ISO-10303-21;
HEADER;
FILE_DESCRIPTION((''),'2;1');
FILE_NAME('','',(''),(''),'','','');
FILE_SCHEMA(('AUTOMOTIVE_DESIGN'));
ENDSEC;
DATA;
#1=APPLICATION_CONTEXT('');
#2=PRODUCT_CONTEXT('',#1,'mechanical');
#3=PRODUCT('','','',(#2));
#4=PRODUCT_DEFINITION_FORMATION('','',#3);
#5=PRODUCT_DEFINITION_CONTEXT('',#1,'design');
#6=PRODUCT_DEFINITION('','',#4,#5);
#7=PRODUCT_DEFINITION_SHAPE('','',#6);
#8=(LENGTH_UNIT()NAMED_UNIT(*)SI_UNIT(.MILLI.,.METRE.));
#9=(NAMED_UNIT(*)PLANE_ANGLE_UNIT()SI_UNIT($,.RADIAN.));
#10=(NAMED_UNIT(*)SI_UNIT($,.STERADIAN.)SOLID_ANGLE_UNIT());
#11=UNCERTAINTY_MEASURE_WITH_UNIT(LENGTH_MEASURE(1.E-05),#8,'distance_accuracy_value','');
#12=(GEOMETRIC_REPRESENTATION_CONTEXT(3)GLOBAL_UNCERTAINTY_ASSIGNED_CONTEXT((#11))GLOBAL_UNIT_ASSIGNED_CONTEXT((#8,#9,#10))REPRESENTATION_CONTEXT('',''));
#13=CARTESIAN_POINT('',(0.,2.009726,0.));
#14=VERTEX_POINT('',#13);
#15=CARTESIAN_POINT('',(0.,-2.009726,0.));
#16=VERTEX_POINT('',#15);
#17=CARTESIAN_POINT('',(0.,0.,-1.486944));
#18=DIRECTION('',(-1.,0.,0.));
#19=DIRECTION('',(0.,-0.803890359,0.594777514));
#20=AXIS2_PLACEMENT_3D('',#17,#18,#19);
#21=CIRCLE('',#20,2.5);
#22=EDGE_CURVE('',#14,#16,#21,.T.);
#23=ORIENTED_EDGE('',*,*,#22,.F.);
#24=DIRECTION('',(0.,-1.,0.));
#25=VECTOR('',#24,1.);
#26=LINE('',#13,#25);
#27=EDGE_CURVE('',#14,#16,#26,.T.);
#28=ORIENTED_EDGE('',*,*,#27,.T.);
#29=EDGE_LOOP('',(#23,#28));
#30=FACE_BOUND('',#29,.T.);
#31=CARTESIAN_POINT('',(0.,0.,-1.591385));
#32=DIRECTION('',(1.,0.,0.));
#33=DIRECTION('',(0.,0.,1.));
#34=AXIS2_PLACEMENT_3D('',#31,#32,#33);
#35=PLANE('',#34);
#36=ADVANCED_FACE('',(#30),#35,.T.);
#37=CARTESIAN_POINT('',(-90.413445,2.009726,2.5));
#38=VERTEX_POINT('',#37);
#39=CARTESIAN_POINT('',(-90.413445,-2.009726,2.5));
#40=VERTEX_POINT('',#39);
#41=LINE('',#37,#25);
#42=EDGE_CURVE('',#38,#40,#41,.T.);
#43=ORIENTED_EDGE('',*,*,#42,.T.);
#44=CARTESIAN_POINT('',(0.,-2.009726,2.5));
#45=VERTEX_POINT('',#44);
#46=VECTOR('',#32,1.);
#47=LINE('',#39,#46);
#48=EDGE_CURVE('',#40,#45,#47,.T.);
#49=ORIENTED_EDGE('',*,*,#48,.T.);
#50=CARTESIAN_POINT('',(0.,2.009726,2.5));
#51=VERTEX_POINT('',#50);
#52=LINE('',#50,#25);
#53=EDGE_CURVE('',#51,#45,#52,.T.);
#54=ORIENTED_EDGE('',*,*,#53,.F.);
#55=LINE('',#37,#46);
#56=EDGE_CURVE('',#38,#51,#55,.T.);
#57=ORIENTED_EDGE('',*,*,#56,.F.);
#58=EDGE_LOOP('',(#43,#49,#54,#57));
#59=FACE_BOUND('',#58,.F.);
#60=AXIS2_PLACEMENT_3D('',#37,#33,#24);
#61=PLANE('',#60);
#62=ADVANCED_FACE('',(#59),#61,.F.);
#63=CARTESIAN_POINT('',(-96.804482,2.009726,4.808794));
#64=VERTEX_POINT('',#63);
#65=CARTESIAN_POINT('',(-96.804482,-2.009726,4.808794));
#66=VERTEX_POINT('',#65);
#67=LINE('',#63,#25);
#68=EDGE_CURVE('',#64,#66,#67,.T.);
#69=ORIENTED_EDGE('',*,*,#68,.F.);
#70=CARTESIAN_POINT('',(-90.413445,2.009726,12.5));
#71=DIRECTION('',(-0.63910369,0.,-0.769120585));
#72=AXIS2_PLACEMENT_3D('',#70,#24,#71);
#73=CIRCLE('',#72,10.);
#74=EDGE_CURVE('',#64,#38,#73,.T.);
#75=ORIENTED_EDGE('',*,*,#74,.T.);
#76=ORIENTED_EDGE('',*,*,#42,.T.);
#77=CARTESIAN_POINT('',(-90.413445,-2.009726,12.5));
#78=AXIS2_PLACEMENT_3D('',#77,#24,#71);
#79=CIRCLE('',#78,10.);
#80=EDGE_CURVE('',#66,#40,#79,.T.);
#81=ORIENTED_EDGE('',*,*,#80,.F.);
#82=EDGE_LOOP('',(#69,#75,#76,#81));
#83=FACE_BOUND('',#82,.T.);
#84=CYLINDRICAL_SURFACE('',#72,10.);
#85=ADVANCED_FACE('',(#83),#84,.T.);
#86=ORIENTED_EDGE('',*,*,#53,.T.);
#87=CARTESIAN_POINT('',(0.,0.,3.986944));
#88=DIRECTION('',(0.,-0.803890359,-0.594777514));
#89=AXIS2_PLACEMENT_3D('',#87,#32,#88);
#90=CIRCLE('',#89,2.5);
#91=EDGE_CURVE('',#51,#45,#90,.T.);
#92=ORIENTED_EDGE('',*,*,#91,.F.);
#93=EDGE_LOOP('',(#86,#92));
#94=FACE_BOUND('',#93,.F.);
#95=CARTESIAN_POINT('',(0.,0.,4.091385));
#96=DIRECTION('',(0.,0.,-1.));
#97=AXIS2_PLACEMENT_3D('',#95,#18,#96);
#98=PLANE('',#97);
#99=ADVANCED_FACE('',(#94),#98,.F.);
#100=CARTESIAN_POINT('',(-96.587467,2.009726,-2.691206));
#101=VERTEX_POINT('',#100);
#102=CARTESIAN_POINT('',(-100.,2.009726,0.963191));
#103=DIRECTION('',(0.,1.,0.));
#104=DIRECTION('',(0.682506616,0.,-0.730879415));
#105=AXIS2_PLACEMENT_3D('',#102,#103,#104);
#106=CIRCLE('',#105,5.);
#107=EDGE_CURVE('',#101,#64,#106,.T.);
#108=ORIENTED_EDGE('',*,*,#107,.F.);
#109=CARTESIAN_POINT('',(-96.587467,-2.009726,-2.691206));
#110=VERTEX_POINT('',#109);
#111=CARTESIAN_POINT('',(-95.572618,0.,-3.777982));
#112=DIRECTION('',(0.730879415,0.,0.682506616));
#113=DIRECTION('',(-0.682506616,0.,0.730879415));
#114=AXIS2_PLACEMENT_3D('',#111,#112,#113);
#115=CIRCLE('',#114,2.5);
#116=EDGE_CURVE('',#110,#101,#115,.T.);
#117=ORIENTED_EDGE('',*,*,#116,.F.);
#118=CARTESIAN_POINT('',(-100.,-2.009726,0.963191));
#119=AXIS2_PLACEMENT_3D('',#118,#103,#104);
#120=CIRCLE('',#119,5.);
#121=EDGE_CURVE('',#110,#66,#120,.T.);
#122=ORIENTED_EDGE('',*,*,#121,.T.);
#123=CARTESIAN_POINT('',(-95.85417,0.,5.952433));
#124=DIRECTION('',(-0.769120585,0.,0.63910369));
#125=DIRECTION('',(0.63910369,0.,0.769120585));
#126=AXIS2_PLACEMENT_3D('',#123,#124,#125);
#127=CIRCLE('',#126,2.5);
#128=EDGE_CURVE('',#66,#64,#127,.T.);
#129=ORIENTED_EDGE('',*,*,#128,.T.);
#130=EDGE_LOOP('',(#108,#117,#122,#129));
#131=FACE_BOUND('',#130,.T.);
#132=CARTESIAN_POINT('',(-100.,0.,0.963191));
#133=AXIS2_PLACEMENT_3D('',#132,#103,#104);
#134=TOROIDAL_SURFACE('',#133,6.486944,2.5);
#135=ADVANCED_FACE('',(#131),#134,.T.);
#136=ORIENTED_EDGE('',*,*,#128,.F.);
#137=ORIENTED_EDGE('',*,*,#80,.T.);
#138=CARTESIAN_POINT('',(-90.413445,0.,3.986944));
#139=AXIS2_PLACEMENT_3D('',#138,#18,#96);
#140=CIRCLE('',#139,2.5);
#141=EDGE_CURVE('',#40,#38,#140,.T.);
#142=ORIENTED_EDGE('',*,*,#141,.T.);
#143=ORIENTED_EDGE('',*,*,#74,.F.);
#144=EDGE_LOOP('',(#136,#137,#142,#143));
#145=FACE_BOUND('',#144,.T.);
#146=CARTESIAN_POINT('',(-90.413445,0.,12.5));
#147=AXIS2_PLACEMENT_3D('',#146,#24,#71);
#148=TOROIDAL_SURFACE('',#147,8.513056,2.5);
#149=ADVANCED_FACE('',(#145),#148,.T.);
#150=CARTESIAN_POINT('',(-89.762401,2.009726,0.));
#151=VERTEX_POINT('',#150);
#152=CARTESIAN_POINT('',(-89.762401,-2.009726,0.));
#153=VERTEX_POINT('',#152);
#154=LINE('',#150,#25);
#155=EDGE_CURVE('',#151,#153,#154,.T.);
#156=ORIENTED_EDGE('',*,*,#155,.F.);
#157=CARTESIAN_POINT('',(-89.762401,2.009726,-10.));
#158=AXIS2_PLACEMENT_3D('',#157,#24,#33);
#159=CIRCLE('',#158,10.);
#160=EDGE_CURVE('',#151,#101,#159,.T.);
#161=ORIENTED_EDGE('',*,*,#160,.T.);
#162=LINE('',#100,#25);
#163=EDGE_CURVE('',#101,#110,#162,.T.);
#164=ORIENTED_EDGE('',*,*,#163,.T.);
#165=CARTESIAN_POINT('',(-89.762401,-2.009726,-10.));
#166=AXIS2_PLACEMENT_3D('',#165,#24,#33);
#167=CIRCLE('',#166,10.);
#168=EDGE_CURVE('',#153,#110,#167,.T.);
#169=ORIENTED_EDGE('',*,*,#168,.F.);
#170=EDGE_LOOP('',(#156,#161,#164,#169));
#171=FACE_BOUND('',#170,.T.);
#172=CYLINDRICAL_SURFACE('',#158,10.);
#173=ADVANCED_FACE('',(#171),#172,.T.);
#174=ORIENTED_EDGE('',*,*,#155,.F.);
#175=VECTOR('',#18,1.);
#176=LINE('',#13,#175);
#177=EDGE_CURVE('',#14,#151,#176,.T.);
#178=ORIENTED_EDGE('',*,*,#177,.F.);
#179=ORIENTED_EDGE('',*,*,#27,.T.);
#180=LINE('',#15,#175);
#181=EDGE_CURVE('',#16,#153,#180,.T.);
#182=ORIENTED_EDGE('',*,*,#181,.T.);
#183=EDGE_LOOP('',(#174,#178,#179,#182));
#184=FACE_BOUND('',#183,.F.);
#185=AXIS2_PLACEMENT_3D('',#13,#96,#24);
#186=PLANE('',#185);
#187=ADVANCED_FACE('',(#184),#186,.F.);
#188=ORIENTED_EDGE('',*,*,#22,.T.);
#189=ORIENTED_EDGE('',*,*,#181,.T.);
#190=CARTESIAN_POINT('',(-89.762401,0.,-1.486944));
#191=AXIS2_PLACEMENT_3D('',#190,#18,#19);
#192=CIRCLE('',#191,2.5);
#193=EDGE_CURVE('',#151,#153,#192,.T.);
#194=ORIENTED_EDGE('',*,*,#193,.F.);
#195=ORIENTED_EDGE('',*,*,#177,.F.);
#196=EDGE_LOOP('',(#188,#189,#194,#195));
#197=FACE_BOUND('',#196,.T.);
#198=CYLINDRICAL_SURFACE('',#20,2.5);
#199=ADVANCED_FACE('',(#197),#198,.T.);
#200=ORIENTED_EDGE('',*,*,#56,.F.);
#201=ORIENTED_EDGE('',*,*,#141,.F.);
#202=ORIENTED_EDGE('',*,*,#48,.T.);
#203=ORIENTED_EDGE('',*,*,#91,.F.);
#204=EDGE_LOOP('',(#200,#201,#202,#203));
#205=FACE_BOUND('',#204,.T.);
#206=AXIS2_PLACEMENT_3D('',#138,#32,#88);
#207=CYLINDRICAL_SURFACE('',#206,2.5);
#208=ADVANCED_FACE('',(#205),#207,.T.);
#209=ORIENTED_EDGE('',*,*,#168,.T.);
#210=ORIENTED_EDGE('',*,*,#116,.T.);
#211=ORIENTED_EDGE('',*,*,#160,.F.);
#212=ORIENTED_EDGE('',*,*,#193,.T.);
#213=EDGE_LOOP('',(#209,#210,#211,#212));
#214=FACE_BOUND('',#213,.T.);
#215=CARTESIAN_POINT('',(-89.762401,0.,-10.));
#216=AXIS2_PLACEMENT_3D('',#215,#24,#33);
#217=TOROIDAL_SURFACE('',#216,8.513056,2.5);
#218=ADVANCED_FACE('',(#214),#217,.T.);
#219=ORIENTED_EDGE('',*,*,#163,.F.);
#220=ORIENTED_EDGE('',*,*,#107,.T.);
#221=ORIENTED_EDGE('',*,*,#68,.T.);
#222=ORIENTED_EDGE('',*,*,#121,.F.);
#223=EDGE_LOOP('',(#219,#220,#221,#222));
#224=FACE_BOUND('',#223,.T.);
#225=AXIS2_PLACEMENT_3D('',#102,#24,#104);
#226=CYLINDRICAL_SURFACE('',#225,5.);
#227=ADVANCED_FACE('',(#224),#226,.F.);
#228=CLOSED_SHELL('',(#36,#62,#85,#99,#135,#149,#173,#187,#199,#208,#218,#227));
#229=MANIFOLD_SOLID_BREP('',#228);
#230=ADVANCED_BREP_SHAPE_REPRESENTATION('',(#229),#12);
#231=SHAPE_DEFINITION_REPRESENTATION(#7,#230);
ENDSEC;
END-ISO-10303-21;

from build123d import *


with BuildPart() as f2:
    # F2: sweep along a path in F0
    with BuildLine(Plane.XZ) as f2_path:
        Line((0, 0), (-89.7624007647, 0))
        ThreePointArc((-89.7624007647, 0), (-93.4306468362, -0.6970987988), (-96.5874669216, -2.6912058481))
        ThreePointArc((-96.5874669216, -2.6912058481), (-104.9979081868, 0.8185753347), (-96.8044815522, 4.8087941519))
        ThreePointArc((-96.8044815522, 4.8087941519), (-93.8110865975, 3.0948934487), (-90.4134446565, 2.5))
        Line((-90.4134446565, 2.5), (0, 2.5))
    # F1 (on Right) → F2 (sweep)
    with BuildSketch(Plane.YZ):
        with BuildLine():
            ThreePointArc((-2.0097258966, 0), (0, -3.9869437852), (2.0097258966, 0))
            Line((2.0097258966, 0), (-2.0097258966, 0))
        make_face()
    sweep(path=f2_path.line)


solid = f2.part
